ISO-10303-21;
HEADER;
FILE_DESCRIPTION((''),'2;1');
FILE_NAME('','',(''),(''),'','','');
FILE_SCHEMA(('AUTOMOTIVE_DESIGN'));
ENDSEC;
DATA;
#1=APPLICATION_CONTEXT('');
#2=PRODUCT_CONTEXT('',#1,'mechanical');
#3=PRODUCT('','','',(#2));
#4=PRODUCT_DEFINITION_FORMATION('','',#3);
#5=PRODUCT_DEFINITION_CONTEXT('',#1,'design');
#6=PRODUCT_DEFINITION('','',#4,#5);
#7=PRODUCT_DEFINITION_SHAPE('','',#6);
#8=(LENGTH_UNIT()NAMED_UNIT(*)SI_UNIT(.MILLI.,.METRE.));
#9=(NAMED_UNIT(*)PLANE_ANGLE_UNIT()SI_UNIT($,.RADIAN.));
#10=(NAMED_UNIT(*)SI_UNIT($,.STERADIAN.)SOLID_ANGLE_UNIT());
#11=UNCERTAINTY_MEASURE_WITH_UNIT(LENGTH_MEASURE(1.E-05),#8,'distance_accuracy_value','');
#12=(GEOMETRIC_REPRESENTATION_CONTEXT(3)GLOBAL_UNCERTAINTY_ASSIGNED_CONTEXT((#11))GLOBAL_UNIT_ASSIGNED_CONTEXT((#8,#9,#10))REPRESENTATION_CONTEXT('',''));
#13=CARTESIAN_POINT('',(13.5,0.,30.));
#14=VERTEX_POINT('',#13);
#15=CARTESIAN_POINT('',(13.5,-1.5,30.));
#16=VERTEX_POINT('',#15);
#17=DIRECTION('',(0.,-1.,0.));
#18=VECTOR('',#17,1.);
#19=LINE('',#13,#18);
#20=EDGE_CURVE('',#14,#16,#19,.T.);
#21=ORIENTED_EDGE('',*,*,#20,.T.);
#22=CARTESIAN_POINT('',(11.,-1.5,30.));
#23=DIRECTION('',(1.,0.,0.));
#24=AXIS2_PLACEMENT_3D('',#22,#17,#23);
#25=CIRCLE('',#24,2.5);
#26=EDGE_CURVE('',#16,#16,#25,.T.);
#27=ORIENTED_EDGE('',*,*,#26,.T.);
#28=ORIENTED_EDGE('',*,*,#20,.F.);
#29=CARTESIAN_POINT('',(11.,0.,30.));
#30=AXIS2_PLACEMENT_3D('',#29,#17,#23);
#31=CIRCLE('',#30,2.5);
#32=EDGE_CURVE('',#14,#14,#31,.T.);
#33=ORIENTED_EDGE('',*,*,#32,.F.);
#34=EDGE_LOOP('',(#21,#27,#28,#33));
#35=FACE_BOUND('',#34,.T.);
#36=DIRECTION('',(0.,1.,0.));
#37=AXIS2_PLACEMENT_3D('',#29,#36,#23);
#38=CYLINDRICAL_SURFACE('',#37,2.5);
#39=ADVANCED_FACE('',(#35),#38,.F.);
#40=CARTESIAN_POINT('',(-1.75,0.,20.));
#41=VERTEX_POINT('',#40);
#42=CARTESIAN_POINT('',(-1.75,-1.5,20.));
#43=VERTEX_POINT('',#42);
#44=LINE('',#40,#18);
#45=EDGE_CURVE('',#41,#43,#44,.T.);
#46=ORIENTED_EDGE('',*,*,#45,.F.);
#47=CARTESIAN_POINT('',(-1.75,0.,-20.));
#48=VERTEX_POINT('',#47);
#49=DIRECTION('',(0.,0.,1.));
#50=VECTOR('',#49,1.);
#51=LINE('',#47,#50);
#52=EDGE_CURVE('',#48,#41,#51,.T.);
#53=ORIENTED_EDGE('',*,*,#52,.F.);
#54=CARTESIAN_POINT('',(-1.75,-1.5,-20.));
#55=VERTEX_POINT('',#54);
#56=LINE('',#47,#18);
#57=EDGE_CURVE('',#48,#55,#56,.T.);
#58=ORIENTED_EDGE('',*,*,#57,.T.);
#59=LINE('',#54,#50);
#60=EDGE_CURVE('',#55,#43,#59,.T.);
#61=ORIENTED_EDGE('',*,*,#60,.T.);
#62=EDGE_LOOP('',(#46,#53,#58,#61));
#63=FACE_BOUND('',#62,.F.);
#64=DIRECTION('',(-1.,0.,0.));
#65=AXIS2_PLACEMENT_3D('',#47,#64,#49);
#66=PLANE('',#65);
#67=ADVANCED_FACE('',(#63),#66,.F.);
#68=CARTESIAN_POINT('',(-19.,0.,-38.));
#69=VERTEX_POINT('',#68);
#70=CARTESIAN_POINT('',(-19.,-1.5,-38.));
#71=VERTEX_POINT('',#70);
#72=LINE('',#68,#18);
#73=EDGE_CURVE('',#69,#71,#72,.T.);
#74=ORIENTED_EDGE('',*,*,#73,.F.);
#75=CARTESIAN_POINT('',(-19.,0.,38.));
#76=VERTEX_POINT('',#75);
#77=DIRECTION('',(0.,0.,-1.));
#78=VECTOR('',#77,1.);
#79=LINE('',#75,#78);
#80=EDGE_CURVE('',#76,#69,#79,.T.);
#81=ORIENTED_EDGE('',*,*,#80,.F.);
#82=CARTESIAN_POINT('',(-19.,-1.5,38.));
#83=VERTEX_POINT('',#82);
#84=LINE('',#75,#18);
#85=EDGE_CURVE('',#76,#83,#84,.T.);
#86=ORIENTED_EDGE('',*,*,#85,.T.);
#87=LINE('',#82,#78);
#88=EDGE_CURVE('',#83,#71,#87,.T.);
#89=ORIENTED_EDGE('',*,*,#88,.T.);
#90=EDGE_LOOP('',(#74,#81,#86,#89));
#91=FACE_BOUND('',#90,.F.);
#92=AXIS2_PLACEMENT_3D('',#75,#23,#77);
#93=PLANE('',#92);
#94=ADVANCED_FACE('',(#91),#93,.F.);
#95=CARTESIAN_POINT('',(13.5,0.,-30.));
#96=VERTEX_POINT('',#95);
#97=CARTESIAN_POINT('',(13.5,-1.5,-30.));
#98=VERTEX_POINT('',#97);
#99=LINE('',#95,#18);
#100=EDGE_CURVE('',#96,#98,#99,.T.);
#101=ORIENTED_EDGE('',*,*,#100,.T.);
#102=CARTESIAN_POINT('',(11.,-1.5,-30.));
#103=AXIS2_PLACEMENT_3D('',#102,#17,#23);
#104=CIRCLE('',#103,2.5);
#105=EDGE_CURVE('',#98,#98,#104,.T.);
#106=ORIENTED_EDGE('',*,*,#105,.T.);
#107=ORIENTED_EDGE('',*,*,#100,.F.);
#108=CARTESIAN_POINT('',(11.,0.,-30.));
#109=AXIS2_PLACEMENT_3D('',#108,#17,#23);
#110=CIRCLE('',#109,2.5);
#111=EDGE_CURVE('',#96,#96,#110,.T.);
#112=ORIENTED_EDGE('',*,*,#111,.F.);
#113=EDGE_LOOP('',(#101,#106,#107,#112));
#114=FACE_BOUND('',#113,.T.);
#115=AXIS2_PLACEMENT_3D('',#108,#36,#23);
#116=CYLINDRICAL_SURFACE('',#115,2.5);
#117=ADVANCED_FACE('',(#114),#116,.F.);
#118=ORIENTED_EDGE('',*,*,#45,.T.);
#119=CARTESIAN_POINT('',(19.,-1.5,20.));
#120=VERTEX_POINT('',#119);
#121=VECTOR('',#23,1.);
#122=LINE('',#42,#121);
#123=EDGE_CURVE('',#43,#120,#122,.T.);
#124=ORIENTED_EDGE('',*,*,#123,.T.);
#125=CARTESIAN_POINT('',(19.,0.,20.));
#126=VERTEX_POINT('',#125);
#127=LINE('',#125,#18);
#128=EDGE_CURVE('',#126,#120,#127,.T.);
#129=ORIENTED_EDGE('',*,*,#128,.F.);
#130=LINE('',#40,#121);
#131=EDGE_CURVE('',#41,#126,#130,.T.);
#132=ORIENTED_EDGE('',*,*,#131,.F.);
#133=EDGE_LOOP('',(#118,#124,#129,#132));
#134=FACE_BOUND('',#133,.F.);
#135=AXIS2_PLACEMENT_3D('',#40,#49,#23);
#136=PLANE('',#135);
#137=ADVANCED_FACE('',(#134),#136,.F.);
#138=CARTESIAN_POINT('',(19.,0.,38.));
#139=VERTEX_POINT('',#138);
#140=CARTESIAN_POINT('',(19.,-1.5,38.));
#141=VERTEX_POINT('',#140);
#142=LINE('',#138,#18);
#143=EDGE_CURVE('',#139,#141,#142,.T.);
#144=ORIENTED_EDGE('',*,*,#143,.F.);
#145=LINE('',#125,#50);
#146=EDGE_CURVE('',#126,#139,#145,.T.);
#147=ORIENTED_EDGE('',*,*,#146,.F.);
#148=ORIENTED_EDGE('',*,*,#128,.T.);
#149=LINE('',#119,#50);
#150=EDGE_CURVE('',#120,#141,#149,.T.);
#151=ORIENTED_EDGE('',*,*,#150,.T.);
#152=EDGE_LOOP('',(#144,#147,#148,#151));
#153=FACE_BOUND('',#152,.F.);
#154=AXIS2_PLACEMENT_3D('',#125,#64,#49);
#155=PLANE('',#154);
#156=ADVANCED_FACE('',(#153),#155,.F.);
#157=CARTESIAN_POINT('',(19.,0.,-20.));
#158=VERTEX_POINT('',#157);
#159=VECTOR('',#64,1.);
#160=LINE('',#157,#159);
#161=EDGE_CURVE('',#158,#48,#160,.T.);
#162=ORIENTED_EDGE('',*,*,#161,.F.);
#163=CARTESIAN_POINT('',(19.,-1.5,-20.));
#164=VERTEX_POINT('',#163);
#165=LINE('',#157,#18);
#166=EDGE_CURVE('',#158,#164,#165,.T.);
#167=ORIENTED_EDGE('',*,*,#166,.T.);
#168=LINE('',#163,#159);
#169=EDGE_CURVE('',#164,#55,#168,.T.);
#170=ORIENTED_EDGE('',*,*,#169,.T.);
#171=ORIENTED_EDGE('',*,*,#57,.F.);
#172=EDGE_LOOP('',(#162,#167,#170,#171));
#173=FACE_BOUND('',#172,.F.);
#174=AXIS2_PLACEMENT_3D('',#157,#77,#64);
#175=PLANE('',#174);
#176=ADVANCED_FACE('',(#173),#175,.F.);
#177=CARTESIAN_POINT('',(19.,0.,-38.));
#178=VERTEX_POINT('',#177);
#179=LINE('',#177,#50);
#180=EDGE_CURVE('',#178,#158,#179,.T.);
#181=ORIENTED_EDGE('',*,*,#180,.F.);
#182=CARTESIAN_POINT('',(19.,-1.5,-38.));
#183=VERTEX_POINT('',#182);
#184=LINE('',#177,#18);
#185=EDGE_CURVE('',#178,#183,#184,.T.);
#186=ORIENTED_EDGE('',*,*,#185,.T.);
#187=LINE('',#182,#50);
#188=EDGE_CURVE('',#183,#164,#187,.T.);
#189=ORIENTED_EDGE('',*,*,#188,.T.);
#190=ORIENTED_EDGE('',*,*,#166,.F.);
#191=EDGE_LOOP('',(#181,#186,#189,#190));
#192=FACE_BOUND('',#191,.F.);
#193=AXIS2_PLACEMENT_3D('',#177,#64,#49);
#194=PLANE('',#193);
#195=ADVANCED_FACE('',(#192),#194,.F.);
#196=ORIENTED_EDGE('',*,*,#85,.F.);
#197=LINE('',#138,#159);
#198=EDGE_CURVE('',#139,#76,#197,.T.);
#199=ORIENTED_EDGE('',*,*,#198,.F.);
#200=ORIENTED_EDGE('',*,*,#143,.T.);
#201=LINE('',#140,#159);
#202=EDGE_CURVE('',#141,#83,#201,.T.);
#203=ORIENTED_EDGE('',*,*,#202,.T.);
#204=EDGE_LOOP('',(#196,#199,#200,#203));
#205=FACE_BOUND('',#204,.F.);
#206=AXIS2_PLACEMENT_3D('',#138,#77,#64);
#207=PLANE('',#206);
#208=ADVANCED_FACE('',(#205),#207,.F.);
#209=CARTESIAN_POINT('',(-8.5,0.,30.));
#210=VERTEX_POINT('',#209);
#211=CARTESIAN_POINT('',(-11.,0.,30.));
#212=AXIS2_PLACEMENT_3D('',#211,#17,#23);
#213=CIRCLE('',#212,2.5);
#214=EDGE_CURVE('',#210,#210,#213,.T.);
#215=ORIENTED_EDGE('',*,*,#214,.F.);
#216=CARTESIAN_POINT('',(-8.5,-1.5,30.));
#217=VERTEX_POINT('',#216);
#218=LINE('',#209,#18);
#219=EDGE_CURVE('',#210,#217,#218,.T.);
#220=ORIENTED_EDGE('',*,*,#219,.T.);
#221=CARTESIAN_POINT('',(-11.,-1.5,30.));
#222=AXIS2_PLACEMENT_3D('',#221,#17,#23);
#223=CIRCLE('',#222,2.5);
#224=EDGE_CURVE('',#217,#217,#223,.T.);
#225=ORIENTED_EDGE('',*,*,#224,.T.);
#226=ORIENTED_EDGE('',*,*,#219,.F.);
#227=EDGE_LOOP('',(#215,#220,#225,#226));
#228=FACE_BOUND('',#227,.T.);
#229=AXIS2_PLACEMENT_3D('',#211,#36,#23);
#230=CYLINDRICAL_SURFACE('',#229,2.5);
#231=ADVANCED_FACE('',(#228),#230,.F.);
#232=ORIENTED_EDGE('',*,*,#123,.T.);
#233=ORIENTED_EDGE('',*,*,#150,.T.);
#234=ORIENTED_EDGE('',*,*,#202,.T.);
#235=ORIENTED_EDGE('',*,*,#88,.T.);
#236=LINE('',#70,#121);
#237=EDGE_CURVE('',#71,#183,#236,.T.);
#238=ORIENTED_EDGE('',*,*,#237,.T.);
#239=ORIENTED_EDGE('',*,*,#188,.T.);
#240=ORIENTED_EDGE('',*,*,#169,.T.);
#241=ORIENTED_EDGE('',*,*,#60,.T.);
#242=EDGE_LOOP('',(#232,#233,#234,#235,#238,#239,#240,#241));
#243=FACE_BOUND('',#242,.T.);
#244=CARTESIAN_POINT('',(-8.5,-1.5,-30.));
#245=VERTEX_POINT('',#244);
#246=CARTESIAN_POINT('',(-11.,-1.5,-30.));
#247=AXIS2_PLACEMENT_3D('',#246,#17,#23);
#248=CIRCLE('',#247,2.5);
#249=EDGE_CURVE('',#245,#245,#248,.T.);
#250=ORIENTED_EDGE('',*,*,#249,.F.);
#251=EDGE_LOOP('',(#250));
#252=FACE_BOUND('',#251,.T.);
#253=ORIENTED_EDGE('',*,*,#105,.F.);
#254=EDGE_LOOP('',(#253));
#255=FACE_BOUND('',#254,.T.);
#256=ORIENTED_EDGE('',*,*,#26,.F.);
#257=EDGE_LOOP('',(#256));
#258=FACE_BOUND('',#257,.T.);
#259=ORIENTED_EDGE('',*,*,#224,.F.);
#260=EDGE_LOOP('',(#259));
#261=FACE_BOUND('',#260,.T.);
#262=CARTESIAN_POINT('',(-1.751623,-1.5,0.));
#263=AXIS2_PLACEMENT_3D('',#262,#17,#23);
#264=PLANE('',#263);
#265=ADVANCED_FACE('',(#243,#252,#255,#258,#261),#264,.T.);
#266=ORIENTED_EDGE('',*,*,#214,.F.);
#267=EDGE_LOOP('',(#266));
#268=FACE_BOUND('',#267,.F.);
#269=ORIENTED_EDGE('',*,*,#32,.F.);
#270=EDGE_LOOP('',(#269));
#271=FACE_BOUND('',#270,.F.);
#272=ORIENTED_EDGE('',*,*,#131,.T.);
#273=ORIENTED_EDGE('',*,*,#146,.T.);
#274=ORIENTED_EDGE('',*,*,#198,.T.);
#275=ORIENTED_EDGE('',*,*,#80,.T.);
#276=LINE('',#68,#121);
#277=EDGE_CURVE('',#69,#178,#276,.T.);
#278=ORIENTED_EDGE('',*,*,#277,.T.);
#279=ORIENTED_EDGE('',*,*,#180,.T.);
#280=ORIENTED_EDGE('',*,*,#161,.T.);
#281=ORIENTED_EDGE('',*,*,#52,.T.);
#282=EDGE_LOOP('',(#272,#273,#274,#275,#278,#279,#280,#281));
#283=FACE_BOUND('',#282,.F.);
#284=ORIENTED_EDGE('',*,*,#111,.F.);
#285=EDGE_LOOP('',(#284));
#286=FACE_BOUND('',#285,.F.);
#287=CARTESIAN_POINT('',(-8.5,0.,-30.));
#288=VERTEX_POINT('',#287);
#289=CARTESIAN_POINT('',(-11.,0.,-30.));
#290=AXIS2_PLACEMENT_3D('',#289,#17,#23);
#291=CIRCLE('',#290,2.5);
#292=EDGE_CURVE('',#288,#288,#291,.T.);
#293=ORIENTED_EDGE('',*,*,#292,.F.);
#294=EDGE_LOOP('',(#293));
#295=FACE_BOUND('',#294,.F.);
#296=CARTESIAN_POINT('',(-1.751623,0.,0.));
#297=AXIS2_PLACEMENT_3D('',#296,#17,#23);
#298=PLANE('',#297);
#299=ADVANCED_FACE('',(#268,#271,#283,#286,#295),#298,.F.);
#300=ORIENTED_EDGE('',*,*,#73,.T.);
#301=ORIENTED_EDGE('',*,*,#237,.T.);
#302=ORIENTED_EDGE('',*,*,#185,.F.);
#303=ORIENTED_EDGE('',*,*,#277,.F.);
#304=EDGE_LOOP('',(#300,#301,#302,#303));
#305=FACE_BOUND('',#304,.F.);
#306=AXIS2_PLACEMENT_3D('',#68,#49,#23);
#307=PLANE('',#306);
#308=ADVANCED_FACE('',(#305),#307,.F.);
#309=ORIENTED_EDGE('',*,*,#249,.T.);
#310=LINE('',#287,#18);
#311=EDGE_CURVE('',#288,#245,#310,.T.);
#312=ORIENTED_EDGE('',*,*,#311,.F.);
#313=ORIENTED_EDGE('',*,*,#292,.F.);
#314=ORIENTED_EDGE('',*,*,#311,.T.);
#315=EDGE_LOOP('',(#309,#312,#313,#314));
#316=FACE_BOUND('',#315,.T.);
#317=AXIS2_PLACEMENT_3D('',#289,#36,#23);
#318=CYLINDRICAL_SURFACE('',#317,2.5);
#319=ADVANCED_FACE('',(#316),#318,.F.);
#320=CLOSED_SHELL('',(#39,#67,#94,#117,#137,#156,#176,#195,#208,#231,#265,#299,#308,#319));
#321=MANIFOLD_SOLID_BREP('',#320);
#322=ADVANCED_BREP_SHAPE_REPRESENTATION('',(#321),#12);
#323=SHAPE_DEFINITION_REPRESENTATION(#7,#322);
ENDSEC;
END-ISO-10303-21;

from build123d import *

# Parameters (mm, degrees)
F0_R     = 2.5
F1_DEPTH = 1.5


with BuildPart() as f1:
    # F0 (on Front) → F1 (new body)
    with BuildSketch(Plane.XZ):
        Polygon((19, 20), (19, 38), (-19, 38), (-19, -38), (19, -38), (19, -20), (1.75, -20), (-1.75, -20), (-1.75, 20), (1.75, 20), align=None)
        with Locations((-11, -30)):
            Circle(F0_R, mode=Mode.SUBTRACT)
        with Locations((11, -30)):
            Circle(F0_R, mode=Mode.SUBTRACT)
        with Locations((-11, 30)):
            Circle(F0_R, mode=Mode.SUBTRACT)
        with Locations((11, 30)):
            Circle(F0_R, mode=Mode.SUBTRACT)
    extrude(amount=F1_DEPTH)


solid = f1.part
